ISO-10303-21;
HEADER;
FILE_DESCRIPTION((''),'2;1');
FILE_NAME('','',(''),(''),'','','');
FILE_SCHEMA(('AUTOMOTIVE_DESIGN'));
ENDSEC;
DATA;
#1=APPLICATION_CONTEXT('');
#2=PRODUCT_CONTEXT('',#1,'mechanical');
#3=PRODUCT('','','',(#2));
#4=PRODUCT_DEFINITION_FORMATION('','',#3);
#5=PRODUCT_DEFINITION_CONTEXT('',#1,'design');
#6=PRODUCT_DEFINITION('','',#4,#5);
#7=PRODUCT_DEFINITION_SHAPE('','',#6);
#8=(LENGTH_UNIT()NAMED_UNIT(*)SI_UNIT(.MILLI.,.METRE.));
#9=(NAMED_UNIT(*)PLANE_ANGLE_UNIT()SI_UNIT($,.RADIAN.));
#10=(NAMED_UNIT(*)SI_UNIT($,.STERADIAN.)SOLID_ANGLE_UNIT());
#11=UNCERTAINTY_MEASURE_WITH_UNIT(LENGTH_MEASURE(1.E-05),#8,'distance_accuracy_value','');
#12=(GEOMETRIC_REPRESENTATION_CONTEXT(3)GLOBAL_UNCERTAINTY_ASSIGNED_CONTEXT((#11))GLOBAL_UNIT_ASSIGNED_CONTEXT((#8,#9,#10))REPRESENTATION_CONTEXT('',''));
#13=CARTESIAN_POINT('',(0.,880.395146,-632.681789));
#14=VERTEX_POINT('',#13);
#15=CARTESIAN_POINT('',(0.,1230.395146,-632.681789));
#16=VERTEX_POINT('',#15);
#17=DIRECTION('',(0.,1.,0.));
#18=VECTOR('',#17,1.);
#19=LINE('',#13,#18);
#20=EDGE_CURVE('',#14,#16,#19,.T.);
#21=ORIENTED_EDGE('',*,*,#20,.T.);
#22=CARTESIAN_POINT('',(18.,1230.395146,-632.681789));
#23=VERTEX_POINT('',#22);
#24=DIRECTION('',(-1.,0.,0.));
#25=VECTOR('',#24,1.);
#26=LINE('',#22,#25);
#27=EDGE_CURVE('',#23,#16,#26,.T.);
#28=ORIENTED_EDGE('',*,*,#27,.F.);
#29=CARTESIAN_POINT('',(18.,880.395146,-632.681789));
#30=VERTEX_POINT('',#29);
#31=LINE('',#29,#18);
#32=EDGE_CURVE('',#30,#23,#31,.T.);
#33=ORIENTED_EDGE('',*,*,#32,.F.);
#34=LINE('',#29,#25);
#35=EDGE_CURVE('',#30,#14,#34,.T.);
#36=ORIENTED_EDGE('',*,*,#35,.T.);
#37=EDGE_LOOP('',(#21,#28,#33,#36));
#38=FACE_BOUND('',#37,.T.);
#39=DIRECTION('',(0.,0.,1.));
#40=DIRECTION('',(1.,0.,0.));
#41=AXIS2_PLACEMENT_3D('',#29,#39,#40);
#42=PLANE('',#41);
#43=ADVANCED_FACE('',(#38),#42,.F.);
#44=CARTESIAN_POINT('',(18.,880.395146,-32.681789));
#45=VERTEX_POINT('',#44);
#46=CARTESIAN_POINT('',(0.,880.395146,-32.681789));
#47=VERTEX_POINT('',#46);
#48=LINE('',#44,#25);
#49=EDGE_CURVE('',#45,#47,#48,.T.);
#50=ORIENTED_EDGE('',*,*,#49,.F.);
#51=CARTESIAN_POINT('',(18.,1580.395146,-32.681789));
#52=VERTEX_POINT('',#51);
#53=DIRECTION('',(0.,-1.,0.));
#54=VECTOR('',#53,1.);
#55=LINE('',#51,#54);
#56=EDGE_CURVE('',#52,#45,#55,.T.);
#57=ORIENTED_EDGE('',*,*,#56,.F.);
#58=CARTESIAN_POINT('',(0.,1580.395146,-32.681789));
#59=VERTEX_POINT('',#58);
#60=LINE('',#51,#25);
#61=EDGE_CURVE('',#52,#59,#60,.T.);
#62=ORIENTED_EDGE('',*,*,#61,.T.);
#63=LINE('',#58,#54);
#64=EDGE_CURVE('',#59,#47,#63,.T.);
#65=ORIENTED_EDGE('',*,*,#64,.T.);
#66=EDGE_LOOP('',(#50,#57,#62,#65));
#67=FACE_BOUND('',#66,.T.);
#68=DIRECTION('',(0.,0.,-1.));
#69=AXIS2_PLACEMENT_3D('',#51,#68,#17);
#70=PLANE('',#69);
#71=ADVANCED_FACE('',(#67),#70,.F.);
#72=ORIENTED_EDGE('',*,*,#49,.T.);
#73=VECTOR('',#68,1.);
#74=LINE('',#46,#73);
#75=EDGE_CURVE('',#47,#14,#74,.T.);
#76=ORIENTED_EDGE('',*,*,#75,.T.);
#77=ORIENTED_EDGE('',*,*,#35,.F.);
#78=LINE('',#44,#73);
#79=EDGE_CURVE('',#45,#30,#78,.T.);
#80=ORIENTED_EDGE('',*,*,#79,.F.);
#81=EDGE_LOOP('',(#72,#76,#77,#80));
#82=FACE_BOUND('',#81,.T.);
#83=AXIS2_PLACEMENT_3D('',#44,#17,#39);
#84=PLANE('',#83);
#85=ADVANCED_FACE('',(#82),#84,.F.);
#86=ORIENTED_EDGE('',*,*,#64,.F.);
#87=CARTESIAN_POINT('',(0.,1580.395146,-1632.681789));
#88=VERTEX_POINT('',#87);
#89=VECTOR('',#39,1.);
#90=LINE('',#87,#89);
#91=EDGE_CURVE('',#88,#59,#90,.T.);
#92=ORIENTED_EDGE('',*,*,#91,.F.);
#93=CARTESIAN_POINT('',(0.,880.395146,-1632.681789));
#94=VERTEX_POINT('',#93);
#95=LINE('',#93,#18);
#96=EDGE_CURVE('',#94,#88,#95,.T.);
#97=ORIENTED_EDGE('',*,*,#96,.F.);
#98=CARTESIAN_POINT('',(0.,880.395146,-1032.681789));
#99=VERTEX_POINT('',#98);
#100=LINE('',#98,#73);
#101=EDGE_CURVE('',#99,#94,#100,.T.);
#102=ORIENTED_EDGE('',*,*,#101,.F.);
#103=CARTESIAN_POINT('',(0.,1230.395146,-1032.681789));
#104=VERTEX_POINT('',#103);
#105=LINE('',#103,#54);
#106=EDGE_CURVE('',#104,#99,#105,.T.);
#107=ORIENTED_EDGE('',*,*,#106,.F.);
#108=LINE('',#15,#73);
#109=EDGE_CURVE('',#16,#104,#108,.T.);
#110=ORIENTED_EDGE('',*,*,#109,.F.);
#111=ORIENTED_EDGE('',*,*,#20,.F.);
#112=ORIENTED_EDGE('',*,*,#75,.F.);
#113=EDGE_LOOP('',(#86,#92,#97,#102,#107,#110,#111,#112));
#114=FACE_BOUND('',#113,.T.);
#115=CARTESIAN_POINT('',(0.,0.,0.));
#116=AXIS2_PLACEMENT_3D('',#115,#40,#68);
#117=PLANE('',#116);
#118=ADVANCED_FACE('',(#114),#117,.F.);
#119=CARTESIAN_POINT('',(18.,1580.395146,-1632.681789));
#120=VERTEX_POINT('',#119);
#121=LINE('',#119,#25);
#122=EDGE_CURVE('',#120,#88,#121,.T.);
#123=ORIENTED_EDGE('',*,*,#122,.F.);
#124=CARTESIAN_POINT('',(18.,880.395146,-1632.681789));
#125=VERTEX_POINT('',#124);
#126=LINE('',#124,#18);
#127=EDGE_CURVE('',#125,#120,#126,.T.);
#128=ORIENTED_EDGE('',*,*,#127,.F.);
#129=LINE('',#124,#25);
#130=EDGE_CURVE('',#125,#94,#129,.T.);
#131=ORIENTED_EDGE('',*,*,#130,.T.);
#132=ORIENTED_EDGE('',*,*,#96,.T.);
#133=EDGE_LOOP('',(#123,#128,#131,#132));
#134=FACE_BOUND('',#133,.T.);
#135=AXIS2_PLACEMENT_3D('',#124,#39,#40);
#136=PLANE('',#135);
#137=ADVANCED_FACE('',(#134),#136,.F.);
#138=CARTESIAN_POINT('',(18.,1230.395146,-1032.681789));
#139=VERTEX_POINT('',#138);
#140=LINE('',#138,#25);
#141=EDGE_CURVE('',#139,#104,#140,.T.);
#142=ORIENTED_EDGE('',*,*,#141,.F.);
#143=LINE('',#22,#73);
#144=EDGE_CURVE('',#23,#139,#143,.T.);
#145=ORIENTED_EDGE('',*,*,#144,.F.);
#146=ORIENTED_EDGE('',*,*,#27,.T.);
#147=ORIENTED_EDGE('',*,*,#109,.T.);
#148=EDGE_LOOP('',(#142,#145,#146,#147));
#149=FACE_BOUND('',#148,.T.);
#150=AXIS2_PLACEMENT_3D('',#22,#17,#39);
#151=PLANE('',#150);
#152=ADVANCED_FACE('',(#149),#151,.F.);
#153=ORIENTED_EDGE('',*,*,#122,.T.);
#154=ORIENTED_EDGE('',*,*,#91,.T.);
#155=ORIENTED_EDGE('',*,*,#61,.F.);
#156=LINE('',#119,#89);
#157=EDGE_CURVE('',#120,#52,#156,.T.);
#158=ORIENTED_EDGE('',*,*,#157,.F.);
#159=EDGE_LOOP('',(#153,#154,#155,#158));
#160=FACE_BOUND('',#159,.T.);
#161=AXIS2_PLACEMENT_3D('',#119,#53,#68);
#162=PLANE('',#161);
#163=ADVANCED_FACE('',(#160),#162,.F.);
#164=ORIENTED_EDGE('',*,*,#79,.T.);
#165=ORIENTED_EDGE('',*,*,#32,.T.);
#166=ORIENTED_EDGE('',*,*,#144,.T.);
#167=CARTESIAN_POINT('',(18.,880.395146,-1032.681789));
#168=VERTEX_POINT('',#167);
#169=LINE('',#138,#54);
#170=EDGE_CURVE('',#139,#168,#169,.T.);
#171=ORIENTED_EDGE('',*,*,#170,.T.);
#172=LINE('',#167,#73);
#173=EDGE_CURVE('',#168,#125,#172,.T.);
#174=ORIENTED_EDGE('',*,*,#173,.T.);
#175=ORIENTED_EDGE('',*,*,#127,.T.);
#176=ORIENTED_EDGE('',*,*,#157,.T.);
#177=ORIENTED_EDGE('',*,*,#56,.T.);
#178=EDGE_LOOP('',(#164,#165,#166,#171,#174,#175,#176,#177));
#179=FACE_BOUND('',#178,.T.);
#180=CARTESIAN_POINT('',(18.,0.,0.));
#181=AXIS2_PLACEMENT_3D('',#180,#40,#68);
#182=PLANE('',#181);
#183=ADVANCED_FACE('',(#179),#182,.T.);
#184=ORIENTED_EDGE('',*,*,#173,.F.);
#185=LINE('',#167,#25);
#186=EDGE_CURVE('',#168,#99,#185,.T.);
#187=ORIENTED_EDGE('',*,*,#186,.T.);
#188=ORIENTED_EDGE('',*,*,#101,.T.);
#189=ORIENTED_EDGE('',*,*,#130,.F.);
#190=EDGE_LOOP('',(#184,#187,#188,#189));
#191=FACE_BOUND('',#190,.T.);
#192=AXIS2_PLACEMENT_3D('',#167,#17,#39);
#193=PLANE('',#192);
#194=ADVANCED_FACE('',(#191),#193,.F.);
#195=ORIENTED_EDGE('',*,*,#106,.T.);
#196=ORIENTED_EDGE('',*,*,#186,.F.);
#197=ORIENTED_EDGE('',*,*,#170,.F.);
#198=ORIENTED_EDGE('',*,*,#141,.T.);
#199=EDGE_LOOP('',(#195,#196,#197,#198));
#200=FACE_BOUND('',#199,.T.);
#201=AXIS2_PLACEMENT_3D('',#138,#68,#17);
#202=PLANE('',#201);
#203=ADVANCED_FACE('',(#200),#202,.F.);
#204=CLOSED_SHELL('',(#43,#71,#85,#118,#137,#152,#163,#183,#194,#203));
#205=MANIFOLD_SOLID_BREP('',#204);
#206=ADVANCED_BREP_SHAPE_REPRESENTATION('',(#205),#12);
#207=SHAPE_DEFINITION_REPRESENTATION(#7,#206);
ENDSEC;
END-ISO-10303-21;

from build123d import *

# Parameters (mm, degrees)
EXTRUDE_1_DEPTH = 18


with BuildPart() as part:
    # Эскиз1 → Бобышка-Вытянуть1 (new body)
    with BuildSketch(Plane(origin=(0, 0, 0), x_dir=(0, 0, -1), z_dir=(1, 0, 0))):
        Polygon((32.681788792, 1580.395145924), (32.681788792, 880.395145924), (632.681788792, 880.395145924), (632.681788792, 1230.395145924), (1032.681788792, 1230.395145924), (1032.681788792, 880.395145924), (1632.681788792, 880.395145924), (1632.681788792, 1580.395145924), align=None)
    extrude(amount=EXTRUDE_1_DEPTH)


solid = part.part
